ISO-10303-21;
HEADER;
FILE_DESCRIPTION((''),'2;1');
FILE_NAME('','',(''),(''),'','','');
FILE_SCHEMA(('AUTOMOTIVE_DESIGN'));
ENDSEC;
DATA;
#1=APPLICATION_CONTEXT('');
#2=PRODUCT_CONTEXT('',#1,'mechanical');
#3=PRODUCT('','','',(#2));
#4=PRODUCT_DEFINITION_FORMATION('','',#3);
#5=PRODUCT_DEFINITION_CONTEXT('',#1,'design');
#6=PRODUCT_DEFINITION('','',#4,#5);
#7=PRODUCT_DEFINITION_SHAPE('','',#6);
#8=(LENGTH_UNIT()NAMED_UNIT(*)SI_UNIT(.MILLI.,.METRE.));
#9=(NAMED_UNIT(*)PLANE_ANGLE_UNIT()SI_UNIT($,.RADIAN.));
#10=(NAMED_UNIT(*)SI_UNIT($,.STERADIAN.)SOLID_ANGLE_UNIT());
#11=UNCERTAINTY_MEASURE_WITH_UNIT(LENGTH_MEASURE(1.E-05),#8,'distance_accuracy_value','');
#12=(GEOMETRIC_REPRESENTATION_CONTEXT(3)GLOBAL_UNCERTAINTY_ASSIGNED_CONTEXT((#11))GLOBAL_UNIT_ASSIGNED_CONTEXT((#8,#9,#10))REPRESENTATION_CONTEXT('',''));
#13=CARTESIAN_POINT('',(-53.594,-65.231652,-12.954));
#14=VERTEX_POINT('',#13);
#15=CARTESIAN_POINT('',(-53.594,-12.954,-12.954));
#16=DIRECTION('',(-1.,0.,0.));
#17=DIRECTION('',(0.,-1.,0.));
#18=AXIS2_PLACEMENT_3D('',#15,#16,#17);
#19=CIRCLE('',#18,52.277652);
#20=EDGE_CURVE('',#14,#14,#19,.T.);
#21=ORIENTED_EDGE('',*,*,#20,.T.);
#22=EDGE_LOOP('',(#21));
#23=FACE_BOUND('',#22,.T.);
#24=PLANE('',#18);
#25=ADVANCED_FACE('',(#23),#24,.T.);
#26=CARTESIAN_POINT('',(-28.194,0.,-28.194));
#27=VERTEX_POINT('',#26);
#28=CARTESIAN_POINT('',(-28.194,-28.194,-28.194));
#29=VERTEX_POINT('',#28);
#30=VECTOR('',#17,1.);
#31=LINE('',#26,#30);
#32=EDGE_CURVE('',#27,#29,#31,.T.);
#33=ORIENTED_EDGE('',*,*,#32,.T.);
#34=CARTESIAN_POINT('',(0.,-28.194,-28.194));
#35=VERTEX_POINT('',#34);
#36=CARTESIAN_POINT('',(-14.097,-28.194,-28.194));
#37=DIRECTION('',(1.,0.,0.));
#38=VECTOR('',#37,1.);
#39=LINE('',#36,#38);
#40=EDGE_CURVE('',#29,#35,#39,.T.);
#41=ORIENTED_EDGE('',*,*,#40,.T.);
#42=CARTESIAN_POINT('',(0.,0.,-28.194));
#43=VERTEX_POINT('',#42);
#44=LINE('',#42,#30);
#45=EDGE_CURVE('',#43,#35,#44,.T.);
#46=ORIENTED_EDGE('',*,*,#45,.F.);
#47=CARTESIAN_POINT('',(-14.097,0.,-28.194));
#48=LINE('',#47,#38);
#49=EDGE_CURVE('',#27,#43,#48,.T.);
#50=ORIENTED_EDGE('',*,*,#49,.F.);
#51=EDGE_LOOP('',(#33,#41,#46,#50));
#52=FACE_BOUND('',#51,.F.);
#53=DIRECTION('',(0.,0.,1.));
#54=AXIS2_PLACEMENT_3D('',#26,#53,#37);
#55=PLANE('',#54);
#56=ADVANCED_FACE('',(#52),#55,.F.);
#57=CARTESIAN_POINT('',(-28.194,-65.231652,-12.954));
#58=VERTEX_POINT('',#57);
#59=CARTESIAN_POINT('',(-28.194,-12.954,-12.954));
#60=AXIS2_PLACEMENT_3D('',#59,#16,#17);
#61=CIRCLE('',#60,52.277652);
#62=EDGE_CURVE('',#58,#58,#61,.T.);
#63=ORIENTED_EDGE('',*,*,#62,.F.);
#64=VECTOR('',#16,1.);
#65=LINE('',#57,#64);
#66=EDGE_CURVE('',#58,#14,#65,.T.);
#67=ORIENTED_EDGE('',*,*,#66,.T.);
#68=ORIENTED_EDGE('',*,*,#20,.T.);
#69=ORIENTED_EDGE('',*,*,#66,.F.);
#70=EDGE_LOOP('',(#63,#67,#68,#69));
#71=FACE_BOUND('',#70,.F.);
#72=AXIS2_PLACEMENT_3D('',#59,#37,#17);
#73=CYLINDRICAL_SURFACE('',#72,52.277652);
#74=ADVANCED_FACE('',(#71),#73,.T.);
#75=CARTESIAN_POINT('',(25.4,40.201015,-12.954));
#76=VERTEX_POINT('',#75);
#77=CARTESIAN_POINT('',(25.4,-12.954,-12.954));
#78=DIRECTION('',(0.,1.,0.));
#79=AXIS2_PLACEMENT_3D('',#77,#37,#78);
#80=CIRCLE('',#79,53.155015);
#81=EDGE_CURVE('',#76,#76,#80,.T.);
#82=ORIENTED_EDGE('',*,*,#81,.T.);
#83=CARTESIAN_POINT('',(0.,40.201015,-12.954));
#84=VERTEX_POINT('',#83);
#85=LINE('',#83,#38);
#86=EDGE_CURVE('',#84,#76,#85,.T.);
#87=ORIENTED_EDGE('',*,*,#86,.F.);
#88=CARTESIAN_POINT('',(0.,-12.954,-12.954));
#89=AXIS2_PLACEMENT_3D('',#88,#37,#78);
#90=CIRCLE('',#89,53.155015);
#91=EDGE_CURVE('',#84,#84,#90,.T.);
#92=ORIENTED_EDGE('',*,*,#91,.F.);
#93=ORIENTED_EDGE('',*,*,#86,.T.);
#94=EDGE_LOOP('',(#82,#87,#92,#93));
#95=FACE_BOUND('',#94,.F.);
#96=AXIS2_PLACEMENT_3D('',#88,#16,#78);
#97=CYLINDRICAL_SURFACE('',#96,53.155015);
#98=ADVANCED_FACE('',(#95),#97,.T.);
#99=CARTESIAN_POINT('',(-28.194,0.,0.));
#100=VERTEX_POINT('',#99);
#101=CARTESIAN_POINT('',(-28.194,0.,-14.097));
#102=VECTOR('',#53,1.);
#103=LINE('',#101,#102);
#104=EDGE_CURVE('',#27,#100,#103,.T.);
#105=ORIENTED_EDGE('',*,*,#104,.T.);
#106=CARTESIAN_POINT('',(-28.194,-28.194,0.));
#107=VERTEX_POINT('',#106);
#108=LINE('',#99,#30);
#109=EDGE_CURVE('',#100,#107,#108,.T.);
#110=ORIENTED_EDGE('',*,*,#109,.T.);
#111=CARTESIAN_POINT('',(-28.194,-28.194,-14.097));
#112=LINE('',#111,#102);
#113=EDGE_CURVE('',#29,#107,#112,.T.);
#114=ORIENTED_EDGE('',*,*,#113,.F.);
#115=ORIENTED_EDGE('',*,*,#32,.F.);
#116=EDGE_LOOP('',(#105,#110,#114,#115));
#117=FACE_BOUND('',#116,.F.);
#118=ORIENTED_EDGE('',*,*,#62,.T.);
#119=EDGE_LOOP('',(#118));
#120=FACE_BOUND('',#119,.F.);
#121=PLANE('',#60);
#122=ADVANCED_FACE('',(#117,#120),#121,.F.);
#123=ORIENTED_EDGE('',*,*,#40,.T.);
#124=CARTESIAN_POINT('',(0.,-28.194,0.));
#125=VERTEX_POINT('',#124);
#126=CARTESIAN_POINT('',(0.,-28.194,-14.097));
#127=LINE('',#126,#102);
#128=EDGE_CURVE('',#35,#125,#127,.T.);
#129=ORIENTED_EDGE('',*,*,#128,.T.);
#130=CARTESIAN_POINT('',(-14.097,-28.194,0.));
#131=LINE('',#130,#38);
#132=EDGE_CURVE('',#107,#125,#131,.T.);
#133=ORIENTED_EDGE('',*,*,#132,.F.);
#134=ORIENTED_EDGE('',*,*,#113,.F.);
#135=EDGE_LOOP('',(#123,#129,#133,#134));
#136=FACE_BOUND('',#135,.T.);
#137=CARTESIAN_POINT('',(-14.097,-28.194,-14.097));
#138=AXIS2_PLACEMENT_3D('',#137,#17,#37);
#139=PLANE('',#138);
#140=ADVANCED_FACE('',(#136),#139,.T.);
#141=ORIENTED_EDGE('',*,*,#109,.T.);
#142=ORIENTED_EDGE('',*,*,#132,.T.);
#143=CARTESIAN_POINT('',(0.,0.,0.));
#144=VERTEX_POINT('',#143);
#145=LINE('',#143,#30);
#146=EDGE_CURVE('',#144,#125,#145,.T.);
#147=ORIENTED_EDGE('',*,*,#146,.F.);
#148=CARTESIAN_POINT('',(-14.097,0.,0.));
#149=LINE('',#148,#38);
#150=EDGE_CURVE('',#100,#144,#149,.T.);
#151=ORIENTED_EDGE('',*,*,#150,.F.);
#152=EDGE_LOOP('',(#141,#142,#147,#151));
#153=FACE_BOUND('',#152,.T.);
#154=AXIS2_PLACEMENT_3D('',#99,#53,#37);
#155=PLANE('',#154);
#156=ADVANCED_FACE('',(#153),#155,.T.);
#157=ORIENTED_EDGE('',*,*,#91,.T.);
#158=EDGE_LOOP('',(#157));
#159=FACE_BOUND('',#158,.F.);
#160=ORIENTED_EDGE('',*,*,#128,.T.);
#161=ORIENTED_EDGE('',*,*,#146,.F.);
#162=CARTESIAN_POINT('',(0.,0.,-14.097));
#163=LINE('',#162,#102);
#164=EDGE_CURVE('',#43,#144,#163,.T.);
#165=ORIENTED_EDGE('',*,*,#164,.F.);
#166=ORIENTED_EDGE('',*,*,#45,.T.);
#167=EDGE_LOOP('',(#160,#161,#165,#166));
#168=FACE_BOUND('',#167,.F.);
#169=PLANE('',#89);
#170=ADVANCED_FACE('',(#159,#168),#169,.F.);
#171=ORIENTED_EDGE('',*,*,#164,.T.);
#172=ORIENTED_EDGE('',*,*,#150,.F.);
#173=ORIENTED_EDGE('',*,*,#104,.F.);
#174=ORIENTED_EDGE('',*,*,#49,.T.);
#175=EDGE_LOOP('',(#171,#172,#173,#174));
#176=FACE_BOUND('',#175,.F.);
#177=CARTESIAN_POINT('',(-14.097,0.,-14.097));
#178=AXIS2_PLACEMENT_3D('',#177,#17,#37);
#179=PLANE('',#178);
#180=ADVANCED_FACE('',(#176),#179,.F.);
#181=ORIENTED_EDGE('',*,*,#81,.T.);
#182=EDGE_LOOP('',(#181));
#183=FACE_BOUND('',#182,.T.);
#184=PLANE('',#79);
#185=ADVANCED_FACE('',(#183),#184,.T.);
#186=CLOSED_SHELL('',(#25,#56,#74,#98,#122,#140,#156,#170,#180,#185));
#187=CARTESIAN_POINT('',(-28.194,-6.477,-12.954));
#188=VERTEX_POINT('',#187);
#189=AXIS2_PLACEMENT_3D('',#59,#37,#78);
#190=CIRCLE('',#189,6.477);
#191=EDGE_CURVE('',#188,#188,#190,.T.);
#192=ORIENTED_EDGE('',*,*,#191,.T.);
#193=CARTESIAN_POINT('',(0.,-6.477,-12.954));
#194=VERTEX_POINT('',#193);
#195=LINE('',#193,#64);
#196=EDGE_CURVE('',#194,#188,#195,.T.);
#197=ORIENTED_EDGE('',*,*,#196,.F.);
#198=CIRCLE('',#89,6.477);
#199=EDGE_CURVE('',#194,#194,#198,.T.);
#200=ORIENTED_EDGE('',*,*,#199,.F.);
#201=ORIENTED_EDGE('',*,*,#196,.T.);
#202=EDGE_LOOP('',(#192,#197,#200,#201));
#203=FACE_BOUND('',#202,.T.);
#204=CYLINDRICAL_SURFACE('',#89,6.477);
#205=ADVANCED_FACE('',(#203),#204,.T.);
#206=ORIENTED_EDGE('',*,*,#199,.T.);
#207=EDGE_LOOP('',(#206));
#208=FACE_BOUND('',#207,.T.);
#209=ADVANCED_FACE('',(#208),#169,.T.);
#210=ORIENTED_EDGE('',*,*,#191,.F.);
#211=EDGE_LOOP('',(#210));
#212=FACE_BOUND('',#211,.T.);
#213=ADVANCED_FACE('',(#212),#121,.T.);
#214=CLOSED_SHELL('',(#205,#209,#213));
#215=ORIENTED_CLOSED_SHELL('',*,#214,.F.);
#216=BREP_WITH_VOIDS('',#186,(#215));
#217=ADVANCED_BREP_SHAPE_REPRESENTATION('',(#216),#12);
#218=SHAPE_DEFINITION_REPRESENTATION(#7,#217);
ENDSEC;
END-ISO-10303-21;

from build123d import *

# Parameters (mm, degrees)
F0_W     = 28.194
F0_H     = 28.194
F1_DEPTH = 28.194
F2_R     = 6.477
F3_DEPTH = 28.195
F4_R     = 53.155015
F5_DEPTH = 25.4
F6_R     = 52.277652
F7_DEPTH = 25.4


with BuildPart() as f1:
    # F0 (on Front) → F1 (new body)
    with BuildSketch(Plane.XZ):
        with Locations((-14.097, -14.097)):
            Rectangle(F0_W, F0_H)
    extrude(amount=F1_DEPTH)

    # F2 (on face) → F3 (cut, through all)
    with BuildSketch(Plane.YZ):
        with Locations((-12.954, -12.954)):
            Circle(F2_R)
    extrude(amount=-F3_DEPTH, mode=Mode.SUBTRACT)

    # F4 (on face) → F5 (join)
    with BuildSketch(Plane.YZ):
        with Locations((-12.954, -12.954)):
            Circle(F4_R)
    extrude(amount=F5_DEPTH)

    # F6 (on face) → F7 (join)
    with BuildSketch(Plane(origin=(-28.194, 0, 0), x_dir=(0, -1, 0), z_dir=(-1, 0, 0))):
        with Locations((12.954, -12.954)):
            Circle(F6_R)
    extrude(amount=F7_DEPTH)


solid = f1.part
